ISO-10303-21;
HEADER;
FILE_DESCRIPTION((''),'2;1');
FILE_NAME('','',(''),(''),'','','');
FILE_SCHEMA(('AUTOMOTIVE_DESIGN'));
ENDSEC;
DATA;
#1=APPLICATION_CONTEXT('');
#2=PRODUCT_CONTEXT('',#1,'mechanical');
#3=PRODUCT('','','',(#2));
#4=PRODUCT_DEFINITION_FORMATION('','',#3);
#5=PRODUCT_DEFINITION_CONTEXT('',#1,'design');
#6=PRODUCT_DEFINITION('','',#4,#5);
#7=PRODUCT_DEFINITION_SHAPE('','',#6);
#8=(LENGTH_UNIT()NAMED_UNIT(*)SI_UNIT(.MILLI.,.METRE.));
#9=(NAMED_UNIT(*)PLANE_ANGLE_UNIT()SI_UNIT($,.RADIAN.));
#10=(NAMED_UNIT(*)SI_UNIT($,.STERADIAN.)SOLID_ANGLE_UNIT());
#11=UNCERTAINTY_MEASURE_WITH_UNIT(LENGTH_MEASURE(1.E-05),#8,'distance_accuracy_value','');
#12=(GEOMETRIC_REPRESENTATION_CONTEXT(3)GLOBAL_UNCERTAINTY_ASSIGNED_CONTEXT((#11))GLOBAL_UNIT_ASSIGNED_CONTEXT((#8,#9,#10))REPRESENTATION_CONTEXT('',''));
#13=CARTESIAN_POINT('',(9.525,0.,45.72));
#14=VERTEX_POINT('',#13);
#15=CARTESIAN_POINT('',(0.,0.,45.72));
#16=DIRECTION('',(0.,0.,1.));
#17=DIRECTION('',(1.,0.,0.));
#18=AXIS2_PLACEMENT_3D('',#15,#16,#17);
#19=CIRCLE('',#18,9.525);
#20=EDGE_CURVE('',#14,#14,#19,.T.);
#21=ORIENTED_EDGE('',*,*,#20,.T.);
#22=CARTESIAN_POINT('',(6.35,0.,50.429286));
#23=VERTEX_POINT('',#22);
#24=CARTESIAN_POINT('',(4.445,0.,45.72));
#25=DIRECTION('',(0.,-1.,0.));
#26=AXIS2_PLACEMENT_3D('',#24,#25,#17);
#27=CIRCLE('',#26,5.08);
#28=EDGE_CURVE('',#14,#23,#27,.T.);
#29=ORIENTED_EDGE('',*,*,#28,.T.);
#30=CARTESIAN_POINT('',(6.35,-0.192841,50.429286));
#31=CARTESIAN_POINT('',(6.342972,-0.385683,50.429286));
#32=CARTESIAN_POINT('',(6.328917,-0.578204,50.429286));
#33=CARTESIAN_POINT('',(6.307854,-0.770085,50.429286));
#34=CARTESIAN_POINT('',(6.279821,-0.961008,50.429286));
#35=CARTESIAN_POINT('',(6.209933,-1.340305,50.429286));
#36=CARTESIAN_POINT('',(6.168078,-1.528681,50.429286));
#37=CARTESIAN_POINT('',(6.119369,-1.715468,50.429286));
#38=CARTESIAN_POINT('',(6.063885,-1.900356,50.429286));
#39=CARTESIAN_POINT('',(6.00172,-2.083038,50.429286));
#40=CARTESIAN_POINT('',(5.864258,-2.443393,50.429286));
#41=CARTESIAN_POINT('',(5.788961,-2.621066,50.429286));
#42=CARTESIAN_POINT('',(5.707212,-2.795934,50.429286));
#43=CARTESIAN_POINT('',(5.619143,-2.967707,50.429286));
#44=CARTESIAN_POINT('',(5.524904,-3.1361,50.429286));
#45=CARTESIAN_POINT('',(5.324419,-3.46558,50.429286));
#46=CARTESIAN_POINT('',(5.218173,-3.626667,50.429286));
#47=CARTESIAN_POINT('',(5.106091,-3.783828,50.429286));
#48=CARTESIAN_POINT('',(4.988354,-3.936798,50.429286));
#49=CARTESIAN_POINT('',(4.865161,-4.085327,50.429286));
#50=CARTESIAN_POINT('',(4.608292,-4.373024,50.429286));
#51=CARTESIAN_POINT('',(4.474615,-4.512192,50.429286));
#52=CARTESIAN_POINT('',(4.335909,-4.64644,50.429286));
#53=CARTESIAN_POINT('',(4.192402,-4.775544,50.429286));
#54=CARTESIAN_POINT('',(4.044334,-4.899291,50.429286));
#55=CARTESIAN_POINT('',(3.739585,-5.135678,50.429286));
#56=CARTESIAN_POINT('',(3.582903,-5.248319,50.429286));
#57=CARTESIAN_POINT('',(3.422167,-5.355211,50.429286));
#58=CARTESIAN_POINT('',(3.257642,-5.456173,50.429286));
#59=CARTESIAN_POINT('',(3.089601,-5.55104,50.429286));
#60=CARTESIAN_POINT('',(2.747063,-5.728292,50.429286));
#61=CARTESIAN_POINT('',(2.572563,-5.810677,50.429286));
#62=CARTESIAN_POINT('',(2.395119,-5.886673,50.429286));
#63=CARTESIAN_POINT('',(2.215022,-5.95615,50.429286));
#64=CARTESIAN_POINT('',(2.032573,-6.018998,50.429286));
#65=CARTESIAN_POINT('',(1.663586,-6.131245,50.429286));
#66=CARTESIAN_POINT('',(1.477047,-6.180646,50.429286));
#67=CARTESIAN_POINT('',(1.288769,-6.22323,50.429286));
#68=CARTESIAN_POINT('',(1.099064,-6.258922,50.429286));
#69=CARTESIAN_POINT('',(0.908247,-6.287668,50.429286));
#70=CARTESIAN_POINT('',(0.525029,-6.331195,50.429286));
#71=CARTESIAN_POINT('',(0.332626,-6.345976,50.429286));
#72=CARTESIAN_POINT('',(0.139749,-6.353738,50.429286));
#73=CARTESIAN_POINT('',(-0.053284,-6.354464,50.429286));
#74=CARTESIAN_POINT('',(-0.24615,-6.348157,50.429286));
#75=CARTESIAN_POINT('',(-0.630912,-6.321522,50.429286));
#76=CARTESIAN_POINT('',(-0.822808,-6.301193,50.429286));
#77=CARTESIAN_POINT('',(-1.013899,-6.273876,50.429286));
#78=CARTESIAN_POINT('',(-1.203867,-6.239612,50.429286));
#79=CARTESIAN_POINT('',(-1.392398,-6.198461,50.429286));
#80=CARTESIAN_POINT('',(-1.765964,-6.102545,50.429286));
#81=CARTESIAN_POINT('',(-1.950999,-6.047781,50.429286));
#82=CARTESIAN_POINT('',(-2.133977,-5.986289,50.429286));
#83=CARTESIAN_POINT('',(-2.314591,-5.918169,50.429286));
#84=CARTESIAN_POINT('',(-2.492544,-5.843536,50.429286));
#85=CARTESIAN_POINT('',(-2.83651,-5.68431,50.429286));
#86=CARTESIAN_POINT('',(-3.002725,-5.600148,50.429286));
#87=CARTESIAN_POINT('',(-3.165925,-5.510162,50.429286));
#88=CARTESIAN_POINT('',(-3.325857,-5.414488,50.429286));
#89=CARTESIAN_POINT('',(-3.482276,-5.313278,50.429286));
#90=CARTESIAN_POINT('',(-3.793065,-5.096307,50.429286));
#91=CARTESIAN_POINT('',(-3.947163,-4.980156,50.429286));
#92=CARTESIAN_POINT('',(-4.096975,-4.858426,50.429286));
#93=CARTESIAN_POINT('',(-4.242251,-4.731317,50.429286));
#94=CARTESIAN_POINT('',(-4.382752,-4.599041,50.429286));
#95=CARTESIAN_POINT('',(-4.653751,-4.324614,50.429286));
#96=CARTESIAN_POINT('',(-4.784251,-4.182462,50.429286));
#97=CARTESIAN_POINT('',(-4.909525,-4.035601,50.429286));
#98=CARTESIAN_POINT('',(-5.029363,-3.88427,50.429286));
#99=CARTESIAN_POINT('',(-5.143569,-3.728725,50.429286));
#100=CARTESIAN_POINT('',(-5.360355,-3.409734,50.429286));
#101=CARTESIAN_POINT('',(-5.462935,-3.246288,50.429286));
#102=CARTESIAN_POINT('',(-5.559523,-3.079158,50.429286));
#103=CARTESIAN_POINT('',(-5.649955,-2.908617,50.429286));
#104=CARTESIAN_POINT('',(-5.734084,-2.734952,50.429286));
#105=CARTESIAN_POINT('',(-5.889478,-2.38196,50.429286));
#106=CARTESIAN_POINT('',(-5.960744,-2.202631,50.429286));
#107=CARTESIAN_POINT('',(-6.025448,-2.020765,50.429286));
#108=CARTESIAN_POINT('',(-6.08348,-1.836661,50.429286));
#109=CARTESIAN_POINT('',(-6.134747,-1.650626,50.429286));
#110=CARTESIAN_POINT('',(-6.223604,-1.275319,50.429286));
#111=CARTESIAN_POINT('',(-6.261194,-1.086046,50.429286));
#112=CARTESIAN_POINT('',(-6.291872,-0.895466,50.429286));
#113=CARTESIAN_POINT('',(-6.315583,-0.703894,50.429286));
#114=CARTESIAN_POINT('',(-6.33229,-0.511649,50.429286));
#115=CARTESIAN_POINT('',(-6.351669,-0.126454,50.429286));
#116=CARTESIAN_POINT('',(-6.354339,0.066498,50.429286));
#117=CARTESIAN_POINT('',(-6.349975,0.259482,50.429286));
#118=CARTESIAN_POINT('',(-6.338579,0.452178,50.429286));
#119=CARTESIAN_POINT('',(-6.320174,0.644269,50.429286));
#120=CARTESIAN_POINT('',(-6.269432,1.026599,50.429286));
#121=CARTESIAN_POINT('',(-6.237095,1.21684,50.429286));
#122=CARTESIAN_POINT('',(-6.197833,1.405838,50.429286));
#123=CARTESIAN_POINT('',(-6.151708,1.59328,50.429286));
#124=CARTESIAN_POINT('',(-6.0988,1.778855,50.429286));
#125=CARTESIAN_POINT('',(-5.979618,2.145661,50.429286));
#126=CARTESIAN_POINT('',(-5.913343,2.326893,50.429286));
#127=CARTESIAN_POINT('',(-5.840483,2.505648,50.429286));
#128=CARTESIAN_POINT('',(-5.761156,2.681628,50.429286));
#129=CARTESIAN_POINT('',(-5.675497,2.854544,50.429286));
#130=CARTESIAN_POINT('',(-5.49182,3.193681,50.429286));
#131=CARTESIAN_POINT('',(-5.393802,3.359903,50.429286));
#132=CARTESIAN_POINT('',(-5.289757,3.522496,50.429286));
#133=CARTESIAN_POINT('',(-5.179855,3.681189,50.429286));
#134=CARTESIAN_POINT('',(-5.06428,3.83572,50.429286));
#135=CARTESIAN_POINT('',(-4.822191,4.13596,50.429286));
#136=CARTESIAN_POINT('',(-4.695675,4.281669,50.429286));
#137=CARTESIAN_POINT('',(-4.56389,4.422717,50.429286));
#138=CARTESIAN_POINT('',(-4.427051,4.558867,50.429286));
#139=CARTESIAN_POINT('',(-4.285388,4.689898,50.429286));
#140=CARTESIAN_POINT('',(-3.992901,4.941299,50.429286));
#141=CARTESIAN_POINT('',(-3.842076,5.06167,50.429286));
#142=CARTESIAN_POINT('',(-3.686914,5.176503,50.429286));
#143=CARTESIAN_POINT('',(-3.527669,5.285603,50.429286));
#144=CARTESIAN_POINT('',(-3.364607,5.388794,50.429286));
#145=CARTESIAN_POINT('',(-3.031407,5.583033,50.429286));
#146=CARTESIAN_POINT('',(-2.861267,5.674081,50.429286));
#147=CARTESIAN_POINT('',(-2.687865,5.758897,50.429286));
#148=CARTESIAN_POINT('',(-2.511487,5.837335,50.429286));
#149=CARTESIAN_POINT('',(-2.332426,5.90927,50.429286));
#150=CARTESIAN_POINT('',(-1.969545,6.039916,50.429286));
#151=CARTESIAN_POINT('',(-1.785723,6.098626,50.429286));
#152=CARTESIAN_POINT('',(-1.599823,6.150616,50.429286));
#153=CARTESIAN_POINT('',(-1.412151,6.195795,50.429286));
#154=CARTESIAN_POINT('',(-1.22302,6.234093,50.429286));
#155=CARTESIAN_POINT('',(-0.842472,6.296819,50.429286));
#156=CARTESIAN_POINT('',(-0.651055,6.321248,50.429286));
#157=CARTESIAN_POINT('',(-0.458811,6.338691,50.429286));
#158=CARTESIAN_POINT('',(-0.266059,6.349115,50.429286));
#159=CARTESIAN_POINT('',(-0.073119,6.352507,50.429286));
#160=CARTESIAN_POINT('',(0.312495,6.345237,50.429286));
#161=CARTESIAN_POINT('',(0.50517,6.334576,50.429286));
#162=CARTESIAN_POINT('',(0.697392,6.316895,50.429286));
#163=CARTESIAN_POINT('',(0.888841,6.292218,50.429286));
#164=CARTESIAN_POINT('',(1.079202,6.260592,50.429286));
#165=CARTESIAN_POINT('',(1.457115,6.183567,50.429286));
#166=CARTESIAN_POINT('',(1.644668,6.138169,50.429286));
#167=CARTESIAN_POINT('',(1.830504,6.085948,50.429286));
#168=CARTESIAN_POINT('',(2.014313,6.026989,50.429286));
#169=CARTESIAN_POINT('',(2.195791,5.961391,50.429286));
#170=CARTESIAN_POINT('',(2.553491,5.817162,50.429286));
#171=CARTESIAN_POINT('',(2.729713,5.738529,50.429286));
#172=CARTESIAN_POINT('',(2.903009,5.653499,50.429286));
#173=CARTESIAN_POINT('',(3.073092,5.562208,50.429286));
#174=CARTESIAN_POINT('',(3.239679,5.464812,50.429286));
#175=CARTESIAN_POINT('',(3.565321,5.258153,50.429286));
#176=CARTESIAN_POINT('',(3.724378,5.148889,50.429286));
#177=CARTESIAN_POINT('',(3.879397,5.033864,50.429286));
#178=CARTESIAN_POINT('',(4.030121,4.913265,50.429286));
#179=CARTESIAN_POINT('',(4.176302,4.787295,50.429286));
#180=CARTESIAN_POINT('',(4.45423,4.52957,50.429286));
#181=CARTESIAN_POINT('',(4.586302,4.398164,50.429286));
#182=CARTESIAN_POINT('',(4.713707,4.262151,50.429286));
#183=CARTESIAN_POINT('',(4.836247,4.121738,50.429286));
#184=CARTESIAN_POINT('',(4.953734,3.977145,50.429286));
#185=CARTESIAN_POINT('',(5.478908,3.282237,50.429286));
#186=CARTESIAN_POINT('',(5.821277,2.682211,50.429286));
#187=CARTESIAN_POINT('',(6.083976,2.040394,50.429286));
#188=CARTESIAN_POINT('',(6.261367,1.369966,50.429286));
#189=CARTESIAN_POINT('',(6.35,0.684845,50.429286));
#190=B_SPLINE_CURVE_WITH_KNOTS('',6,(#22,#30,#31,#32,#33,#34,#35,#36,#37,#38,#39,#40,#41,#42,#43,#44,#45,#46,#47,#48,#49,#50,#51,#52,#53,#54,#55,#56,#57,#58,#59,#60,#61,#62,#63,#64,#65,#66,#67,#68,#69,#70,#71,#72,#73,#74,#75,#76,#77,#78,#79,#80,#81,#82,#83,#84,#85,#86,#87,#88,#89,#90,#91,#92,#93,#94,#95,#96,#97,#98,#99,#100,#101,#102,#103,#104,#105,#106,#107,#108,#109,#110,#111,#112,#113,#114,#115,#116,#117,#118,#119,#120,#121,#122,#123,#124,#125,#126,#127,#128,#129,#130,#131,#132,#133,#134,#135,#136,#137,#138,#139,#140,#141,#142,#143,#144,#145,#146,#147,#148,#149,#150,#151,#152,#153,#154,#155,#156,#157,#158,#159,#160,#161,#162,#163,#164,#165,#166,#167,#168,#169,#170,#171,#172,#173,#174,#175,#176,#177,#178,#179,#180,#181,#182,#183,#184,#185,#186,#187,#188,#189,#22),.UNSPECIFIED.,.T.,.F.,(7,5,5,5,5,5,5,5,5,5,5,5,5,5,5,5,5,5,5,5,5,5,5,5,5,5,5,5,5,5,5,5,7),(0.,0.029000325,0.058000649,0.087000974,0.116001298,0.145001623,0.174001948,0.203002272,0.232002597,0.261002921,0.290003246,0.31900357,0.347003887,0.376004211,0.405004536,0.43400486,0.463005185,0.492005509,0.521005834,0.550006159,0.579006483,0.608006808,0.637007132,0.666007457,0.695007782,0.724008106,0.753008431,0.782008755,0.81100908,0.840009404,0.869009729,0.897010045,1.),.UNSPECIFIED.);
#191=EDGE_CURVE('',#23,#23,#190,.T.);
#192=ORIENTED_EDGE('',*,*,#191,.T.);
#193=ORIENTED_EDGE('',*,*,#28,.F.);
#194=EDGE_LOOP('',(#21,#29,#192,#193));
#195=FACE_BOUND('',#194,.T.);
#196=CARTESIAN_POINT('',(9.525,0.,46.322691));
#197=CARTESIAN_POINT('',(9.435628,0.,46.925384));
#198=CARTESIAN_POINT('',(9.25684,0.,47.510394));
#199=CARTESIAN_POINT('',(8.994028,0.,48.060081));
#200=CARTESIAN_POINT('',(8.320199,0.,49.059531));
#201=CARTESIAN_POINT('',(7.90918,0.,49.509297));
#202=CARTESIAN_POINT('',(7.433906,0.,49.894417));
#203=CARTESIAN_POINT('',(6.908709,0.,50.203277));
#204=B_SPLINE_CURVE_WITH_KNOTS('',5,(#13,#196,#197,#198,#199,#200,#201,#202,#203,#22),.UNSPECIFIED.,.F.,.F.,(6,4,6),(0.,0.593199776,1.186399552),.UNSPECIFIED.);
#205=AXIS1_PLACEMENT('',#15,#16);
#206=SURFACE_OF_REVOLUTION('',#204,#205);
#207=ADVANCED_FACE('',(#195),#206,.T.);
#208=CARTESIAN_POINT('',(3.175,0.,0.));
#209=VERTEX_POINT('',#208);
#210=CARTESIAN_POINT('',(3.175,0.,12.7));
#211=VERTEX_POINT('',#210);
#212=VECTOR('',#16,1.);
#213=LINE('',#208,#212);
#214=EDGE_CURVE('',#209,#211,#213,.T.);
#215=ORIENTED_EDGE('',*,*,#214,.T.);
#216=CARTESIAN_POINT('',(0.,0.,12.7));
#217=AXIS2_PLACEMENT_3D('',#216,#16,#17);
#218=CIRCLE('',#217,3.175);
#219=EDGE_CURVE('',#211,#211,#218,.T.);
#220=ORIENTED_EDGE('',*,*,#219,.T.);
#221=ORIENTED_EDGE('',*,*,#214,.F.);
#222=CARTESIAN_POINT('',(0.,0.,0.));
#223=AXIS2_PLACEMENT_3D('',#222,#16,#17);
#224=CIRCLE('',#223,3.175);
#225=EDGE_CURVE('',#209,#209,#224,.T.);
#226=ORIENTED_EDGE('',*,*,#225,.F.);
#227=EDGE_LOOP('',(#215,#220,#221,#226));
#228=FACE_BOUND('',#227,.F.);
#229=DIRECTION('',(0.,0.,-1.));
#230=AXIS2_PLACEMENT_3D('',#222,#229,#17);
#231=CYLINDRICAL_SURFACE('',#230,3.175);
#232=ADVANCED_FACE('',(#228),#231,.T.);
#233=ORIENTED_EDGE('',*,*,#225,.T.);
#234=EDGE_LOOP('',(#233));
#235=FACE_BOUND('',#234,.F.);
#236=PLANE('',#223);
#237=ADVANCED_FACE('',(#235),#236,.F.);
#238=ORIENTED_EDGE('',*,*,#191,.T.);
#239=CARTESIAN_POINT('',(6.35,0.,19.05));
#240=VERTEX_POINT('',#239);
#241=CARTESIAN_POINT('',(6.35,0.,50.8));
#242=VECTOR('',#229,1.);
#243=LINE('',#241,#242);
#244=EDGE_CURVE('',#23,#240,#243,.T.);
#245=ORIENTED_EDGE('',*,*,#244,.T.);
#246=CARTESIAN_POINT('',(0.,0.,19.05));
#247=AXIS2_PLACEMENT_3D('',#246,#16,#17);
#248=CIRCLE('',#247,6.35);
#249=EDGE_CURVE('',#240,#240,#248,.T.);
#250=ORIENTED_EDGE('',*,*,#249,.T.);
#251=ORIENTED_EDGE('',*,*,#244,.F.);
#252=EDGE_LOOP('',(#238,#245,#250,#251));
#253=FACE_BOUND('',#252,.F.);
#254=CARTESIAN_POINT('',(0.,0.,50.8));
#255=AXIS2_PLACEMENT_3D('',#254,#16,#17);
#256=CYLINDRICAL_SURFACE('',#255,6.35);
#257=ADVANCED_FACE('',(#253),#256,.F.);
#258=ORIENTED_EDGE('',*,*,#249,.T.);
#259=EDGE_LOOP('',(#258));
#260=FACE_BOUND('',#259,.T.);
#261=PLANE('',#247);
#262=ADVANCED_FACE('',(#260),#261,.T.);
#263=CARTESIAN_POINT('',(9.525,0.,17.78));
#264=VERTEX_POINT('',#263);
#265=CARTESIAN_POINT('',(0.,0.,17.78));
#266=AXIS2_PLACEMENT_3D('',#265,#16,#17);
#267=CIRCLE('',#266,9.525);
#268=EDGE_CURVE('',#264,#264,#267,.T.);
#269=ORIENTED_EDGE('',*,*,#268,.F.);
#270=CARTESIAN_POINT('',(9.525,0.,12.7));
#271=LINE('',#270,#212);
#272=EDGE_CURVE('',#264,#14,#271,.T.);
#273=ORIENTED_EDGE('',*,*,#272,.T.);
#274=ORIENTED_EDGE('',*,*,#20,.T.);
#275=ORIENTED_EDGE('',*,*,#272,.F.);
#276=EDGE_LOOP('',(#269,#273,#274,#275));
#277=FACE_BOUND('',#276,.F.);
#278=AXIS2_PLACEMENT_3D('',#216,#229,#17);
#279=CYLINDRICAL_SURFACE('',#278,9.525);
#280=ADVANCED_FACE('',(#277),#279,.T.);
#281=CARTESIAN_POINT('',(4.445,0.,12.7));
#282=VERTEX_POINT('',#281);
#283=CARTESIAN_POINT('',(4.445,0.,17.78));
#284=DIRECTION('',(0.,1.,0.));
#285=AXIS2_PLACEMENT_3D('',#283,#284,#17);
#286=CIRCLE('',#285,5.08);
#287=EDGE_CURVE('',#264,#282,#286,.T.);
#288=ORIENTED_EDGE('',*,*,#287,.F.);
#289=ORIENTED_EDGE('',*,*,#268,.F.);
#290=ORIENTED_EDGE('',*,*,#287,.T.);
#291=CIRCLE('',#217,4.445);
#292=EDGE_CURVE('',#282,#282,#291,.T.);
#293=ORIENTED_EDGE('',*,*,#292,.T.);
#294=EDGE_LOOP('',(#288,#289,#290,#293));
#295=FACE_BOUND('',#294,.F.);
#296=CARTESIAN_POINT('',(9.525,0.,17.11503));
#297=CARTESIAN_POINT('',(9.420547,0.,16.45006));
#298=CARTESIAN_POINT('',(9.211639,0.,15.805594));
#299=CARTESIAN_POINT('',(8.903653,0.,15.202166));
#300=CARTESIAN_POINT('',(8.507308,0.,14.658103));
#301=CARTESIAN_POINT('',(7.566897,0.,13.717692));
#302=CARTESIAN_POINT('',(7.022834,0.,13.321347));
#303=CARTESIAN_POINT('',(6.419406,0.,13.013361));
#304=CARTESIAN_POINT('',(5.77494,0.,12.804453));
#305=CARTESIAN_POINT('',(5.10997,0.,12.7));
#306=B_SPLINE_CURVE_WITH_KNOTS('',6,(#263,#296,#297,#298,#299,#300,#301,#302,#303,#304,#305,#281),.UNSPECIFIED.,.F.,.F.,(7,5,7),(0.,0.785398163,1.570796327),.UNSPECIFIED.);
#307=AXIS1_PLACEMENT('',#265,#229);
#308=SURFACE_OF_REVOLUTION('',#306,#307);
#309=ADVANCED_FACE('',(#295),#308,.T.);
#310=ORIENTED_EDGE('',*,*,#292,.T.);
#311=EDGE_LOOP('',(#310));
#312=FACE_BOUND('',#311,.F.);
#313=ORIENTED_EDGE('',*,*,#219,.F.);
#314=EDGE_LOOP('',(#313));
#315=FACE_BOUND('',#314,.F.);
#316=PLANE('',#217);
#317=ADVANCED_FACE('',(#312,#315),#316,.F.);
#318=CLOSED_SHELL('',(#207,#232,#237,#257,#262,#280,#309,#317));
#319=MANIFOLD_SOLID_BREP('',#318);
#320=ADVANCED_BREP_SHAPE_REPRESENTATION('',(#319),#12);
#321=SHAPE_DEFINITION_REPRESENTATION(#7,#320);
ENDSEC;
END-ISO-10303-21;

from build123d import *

# Parameters (mm, degrees)
F0_R     = 3.175
F1_DEPTH = 12.7
F2_R     = 9.525
F3_DEPTH = 38.1
F4_R     = 5.08
F5_R     = 6.35
F6_DEPTH = 31.75


with BuildPart() as f1:
    # F0 (on Top) → F1 (new body)
    with BuildSketch(Plane.XY):
        Circle(F0_R)
    extrude(amount=F1_DEPTH)

    # F2 (on face) → F3 (join)
    with BuildSketch(Plane.XY.offset(12.7)):
        Circle(F2_R)
    extrude(amount=F3_DEPTH)

    # F4
    f4_edges = [f1.edges().sort_by_distance(p)[0] for p in [
        (-9.525, 0, 50.8),
        (-9.525, 0, 12.7),
    ]]
    fillet(f4_edges, radius=F4_R)

    # F5 (on face) → F6 (cut)
    with BuildSketch(Plane.XY.offset(50.8)):
        Circle(F5_R)
    extrude(amount=-F6_DEPTH, mode=Mode.SUBTRACT)


solid = f1.part
